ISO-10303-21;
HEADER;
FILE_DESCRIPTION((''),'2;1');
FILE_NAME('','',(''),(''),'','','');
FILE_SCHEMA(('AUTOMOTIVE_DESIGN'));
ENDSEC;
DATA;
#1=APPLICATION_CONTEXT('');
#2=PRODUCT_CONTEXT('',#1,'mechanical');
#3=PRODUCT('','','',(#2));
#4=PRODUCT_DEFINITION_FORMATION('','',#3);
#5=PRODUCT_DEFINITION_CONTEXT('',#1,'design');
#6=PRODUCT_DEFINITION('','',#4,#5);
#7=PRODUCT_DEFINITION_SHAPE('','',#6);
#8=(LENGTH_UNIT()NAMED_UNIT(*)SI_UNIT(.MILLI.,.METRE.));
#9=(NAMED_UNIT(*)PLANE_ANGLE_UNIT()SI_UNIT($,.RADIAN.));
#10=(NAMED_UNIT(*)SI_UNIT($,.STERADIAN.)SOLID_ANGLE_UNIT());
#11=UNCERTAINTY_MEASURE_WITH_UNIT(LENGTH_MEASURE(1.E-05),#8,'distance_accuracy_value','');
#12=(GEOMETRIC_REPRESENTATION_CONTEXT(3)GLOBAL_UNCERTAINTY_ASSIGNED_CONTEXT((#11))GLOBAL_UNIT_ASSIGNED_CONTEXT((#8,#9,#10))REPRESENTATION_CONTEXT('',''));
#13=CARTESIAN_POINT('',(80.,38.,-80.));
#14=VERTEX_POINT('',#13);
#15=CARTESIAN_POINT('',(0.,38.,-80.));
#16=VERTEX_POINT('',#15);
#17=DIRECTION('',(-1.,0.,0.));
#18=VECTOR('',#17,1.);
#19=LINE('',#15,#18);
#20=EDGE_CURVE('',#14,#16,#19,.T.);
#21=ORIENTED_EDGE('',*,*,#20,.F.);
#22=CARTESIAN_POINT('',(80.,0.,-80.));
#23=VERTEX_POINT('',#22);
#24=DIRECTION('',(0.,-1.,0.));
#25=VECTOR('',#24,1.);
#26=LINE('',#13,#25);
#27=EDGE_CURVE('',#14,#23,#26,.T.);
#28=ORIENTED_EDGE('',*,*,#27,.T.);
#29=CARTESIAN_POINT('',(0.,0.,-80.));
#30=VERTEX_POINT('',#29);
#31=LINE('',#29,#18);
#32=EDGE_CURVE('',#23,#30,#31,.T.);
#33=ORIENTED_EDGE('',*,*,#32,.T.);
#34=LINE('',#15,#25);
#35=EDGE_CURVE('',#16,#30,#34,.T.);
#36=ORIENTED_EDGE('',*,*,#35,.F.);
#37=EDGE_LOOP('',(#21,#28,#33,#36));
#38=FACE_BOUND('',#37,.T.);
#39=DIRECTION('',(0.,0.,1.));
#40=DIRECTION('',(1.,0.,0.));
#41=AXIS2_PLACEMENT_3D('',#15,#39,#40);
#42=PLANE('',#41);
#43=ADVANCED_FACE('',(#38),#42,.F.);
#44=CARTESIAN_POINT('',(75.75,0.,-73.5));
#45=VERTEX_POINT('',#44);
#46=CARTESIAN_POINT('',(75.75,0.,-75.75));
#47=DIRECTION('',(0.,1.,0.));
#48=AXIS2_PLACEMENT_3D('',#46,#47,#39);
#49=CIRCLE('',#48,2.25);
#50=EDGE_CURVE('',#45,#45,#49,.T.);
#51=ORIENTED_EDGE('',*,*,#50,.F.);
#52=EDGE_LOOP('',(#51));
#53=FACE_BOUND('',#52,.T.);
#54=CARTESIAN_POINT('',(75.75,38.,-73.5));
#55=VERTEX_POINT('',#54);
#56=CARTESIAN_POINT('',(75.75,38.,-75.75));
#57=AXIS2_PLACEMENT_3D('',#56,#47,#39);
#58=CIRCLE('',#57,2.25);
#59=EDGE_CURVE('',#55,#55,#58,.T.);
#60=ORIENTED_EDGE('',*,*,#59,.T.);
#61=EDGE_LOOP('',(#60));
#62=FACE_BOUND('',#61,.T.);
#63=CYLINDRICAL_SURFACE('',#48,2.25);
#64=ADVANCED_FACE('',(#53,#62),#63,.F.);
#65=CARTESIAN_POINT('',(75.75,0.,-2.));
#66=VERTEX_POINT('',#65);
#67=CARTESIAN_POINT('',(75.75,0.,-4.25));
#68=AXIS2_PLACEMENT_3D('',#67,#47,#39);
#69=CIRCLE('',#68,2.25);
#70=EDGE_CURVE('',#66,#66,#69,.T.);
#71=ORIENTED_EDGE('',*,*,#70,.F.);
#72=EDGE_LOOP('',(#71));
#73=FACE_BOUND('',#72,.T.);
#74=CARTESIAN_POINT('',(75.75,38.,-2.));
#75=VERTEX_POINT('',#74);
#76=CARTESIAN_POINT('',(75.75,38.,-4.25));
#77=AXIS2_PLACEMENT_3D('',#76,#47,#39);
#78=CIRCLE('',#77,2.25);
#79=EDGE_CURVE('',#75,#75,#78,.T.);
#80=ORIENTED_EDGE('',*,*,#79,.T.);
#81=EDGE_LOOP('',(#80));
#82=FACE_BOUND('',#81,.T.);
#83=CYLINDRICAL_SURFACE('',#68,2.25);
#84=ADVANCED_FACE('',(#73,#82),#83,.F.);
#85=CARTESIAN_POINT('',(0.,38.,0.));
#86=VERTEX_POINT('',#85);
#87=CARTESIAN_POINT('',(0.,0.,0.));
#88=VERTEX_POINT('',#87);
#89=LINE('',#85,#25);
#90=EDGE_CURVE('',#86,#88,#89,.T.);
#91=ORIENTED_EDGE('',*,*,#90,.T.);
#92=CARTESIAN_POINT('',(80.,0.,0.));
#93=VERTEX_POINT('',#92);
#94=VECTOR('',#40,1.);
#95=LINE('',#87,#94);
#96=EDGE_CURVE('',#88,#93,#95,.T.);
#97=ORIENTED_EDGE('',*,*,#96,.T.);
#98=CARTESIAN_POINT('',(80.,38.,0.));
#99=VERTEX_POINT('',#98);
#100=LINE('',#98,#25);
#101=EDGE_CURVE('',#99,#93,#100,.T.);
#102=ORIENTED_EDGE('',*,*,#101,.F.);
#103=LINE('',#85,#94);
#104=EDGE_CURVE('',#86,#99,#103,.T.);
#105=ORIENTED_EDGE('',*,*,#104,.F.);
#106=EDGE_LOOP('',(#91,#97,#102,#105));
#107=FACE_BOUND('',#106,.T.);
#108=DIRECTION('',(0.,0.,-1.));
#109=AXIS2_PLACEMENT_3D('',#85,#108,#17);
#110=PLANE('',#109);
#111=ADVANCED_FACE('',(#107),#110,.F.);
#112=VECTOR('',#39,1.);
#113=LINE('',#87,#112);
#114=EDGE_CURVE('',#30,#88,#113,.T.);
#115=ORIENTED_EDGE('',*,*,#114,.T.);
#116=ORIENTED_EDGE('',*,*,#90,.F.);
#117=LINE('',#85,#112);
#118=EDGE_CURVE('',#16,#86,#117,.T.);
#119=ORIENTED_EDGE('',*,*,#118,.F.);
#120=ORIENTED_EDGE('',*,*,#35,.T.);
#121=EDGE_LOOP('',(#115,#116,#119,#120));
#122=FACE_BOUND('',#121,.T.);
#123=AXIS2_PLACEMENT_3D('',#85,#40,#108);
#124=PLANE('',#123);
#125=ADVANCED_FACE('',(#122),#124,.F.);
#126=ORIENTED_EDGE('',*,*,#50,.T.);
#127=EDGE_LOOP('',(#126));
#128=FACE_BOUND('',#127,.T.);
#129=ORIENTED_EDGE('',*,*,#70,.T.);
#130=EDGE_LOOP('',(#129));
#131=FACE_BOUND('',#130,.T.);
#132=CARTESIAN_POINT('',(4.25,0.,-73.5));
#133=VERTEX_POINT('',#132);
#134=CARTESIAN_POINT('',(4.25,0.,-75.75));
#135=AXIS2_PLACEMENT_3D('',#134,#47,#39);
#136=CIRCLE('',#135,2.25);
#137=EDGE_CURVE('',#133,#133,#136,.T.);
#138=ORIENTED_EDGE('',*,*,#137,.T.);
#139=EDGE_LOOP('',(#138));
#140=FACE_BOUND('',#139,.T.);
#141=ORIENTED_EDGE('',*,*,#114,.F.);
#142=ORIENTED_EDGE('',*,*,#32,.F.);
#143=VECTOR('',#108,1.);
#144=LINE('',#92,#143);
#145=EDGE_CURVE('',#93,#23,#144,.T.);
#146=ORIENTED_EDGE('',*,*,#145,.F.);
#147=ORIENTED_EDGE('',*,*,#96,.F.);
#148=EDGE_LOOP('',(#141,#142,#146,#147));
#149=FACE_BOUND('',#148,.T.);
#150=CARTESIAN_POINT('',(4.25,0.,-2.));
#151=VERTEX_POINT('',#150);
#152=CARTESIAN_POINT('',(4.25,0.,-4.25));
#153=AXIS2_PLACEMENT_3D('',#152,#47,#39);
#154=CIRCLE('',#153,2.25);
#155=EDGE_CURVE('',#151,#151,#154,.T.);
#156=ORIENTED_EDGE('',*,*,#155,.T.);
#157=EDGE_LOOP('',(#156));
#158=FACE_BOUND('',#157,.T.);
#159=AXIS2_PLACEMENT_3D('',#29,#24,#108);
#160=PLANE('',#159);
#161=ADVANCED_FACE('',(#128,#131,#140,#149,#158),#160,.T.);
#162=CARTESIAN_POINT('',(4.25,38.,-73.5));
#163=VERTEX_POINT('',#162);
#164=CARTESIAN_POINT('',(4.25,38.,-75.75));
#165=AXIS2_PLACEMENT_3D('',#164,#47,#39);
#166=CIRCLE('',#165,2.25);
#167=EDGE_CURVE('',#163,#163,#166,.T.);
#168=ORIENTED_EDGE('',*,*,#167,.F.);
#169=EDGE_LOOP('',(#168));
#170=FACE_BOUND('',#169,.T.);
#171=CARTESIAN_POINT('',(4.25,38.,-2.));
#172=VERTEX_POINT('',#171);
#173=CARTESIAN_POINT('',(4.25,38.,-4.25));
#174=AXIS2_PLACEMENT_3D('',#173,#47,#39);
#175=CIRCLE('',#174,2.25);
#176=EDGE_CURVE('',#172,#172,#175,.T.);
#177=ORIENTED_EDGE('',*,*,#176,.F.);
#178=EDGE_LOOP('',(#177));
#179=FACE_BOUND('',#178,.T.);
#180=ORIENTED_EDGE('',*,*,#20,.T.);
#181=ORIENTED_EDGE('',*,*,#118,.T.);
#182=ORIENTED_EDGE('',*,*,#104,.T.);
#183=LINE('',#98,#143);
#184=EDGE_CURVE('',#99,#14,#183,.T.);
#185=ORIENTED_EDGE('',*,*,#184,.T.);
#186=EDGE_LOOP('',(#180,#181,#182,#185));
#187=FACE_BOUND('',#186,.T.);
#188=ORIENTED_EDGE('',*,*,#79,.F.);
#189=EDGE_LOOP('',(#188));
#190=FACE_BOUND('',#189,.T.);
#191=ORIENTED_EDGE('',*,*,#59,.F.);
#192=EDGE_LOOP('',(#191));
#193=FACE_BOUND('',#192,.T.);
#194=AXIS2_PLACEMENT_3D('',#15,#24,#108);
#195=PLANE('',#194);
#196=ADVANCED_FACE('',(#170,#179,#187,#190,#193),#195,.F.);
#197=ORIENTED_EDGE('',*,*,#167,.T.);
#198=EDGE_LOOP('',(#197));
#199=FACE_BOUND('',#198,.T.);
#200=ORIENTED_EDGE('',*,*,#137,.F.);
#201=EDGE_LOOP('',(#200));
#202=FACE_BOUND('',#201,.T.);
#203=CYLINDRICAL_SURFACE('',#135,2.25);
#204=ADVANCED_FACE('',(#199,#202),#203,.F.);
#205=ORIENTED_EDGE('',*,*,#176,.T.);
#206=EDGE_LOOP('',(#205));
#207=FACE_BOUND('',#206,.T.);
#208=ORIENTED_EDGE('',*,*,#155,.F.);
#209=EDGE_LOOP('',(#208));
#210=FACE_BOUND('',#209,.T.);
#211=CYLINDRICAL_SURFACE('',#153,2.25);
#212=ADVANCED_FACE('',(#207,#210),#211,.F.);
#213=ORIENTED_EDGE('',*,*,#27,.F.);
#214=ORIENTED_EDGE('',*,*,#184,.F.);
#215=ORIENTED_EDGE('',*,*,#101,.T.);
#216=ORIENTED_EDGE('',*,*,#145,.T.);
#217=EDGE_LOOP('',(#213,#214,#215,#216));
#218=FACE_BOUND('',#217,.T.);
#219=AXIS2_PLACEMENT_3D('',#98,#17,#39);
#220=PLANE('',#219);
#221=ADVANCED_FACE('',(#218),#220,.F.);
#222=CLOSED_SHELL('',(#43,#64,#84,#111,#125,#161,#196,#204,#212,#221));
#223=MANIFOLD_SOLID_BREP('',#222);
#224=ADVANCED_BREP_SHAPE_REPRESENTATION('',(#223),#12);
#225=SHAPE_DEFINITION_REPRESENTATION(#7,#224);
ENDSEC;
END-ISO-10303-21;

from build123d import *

# Parameters (mm, degrees)
SKETCH1_W           = 80
SKETCH1_H           = 80
BOSS_EXTRUDE1_DEPTH = 38
SKETCH2_R           = 2.25
CUT_EXTRUDE1_DEPTH  = 120.348229983


with BuildPart() as part:
    # Sketch1 → Boss-Extrude1 (new body)
    with BuildSketch(Plane(origin=(0, 0, 0), x_dir=(1, 0, 0), z_dir=(0, 1, 0))):
        with Locations((40, 40)):
            Rectangle(SKETCH1_W, SKETCH1_H)
    extrude(amount=BOSS_EXTRUDE1_DEPTH)

    # Sketch2 → Cut-Extrude1 (cut, through all)
    with BuildSketch(Plane(origin=(0, 38, 0), x_dir=(1, 0, 0), z_dir=(0, 1, 0))):
        with Locations(Location((4.25, 75.75, 0), (0, 0, 270))):
            Circle(SKETCH2_R)
        with Locations(Location((75.75, 75.75, 0), (0, 0, 270))):
            Circle(SKETCH2_R)
        with Locations(Location((75.75, 4.25, 0), (0, 0, 270))):
            Circle(SKETCH2_R)
        with Locations(Location((4.25, 4.25, 0), (0, 0, 270))):
            Circle(SKETCH2_R)
    extrude(amount=-CUT_EXTRUDE1_DEPTH, mode=Mode.SUBTRACT)


solid = part.part
